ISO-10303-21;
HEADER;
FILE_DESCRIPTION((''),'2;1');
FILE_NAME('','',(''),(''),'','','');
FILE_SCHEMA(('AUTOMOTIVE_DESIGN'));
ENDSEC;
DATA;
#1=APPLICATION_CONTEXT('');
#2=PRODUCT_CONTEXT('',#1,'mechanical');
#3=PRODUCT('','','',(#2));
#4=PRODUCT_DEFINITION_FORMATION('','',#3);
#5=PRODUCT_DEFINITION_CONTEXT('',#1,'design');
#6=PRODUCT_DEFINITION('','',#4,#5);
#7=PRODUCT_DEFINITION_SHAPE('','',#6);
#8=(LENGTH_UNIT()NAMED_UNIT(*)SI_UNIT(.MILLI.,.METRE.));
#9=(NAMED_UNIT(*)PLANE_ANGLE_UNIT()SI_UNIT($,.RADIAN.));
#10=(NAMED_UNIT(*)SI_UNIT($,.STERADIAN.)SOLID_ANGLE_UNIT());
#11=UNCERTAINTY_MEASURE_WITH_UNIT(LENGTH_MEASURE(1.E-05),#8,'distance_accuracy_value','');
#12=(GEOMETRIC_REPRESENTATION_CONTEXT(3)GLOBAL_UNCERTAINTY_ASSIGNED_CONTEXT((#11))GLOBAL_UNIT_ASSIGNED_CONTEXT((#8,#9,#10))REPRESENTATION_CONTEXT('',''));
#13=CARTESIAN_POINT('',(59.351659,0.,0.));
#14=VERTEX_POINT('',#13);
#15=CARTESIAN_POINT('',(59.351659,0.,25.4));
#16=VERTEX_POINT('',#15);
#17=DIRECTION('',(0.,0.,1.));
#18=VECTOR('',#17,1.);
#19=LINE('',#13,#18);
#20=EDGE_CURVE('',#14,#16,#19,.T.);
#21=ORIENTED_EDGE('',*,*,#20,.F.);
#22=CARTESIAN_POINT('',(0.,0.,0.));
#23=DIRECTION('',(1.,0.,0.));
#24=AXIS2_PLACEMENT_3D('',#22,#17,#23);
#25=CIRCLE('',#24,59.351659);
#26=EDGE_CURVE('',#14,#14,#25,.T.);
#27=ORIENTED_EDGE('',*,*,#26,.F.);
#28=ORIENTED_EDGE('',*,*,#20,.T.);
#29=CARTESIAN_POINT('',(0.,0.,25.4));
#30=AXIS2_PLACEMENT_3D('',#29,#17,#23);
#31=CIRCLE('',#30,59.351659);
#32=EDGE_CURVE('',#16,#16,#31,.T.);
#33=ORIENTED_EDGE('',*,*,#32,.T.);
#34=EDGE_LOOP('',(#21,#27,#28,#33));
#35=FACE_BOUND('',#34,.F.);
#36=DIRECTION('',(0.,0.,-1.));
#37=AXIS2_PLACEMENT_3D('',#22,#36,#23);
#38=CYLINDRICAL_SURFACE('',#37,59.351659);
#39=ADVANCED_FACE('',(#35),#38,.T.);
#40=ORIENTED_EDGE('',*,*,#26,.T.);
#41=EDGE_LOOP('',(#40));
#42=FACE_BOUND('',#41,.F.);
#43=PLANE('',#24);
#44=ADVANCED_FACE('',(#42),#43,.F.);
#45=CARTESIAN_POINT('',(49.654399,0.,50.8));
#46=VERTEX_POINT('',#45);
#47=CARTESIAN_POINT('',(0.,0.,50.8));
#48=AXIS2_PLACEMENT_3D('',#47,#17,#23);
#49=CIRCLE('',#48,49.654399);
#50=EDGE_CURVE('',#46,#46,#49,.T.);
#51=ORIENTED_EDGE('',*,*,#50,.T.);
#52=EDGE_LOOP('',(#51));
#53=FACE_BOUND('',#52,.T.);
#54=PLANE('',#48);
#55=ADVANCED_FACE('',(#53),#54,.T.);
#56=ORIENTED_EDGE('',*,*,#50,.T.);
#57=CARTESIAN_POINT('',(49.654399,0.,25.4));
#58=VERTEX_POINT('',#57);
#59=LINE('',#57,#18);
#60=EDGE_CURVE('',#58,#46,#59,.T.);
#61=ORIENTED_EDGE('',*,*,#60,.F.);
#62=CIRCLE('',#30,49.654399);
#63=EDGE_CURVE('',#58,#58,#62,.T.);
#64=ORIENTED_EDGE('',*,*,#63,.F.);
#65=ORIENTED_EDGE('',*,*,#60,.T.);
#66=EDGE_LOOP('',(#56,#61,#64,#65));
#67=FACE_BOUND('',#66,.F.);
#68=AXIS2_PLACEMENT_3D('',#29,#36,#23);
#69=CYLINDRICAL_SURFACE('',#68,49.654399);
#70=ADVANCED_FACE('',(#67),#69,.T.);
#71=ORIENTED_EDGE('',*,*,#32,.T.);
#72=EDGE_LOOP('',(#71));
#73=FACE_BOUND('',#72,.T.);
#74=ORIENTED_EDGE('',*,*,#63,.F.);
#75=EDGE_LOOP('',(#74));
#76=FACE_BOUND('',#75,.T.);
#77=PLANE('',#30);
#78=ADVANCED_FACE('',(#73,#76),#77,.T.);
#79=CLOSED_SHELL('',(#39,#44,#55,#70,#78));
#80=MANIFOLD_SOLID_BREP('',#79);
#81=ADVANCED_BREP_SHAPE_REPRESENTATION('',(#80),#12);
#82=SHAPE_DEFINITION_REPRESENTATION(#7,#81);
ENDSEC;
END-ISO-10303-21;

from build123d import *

# Parameters (mm, degrees)
F0_R     = 59.351659
F1_DEPTH = 25.4
F2_R     = 49.654399
F3_DEPTH = 25.4


with BuildPart() as f1:
    # F0 (on Top) → F1 (new body)
    with BuildSketch(Plane.XY):
        Circle(F0_R)
    extrude(amount=F1_DEPTH)

    # F2 (on face) → F3 (join)
    with BuildSketch(Plane.XY.offset(25.4)):
        Circle(F2_R)
    extrude(amount=F3_DEPTH)


solid = f1.part
